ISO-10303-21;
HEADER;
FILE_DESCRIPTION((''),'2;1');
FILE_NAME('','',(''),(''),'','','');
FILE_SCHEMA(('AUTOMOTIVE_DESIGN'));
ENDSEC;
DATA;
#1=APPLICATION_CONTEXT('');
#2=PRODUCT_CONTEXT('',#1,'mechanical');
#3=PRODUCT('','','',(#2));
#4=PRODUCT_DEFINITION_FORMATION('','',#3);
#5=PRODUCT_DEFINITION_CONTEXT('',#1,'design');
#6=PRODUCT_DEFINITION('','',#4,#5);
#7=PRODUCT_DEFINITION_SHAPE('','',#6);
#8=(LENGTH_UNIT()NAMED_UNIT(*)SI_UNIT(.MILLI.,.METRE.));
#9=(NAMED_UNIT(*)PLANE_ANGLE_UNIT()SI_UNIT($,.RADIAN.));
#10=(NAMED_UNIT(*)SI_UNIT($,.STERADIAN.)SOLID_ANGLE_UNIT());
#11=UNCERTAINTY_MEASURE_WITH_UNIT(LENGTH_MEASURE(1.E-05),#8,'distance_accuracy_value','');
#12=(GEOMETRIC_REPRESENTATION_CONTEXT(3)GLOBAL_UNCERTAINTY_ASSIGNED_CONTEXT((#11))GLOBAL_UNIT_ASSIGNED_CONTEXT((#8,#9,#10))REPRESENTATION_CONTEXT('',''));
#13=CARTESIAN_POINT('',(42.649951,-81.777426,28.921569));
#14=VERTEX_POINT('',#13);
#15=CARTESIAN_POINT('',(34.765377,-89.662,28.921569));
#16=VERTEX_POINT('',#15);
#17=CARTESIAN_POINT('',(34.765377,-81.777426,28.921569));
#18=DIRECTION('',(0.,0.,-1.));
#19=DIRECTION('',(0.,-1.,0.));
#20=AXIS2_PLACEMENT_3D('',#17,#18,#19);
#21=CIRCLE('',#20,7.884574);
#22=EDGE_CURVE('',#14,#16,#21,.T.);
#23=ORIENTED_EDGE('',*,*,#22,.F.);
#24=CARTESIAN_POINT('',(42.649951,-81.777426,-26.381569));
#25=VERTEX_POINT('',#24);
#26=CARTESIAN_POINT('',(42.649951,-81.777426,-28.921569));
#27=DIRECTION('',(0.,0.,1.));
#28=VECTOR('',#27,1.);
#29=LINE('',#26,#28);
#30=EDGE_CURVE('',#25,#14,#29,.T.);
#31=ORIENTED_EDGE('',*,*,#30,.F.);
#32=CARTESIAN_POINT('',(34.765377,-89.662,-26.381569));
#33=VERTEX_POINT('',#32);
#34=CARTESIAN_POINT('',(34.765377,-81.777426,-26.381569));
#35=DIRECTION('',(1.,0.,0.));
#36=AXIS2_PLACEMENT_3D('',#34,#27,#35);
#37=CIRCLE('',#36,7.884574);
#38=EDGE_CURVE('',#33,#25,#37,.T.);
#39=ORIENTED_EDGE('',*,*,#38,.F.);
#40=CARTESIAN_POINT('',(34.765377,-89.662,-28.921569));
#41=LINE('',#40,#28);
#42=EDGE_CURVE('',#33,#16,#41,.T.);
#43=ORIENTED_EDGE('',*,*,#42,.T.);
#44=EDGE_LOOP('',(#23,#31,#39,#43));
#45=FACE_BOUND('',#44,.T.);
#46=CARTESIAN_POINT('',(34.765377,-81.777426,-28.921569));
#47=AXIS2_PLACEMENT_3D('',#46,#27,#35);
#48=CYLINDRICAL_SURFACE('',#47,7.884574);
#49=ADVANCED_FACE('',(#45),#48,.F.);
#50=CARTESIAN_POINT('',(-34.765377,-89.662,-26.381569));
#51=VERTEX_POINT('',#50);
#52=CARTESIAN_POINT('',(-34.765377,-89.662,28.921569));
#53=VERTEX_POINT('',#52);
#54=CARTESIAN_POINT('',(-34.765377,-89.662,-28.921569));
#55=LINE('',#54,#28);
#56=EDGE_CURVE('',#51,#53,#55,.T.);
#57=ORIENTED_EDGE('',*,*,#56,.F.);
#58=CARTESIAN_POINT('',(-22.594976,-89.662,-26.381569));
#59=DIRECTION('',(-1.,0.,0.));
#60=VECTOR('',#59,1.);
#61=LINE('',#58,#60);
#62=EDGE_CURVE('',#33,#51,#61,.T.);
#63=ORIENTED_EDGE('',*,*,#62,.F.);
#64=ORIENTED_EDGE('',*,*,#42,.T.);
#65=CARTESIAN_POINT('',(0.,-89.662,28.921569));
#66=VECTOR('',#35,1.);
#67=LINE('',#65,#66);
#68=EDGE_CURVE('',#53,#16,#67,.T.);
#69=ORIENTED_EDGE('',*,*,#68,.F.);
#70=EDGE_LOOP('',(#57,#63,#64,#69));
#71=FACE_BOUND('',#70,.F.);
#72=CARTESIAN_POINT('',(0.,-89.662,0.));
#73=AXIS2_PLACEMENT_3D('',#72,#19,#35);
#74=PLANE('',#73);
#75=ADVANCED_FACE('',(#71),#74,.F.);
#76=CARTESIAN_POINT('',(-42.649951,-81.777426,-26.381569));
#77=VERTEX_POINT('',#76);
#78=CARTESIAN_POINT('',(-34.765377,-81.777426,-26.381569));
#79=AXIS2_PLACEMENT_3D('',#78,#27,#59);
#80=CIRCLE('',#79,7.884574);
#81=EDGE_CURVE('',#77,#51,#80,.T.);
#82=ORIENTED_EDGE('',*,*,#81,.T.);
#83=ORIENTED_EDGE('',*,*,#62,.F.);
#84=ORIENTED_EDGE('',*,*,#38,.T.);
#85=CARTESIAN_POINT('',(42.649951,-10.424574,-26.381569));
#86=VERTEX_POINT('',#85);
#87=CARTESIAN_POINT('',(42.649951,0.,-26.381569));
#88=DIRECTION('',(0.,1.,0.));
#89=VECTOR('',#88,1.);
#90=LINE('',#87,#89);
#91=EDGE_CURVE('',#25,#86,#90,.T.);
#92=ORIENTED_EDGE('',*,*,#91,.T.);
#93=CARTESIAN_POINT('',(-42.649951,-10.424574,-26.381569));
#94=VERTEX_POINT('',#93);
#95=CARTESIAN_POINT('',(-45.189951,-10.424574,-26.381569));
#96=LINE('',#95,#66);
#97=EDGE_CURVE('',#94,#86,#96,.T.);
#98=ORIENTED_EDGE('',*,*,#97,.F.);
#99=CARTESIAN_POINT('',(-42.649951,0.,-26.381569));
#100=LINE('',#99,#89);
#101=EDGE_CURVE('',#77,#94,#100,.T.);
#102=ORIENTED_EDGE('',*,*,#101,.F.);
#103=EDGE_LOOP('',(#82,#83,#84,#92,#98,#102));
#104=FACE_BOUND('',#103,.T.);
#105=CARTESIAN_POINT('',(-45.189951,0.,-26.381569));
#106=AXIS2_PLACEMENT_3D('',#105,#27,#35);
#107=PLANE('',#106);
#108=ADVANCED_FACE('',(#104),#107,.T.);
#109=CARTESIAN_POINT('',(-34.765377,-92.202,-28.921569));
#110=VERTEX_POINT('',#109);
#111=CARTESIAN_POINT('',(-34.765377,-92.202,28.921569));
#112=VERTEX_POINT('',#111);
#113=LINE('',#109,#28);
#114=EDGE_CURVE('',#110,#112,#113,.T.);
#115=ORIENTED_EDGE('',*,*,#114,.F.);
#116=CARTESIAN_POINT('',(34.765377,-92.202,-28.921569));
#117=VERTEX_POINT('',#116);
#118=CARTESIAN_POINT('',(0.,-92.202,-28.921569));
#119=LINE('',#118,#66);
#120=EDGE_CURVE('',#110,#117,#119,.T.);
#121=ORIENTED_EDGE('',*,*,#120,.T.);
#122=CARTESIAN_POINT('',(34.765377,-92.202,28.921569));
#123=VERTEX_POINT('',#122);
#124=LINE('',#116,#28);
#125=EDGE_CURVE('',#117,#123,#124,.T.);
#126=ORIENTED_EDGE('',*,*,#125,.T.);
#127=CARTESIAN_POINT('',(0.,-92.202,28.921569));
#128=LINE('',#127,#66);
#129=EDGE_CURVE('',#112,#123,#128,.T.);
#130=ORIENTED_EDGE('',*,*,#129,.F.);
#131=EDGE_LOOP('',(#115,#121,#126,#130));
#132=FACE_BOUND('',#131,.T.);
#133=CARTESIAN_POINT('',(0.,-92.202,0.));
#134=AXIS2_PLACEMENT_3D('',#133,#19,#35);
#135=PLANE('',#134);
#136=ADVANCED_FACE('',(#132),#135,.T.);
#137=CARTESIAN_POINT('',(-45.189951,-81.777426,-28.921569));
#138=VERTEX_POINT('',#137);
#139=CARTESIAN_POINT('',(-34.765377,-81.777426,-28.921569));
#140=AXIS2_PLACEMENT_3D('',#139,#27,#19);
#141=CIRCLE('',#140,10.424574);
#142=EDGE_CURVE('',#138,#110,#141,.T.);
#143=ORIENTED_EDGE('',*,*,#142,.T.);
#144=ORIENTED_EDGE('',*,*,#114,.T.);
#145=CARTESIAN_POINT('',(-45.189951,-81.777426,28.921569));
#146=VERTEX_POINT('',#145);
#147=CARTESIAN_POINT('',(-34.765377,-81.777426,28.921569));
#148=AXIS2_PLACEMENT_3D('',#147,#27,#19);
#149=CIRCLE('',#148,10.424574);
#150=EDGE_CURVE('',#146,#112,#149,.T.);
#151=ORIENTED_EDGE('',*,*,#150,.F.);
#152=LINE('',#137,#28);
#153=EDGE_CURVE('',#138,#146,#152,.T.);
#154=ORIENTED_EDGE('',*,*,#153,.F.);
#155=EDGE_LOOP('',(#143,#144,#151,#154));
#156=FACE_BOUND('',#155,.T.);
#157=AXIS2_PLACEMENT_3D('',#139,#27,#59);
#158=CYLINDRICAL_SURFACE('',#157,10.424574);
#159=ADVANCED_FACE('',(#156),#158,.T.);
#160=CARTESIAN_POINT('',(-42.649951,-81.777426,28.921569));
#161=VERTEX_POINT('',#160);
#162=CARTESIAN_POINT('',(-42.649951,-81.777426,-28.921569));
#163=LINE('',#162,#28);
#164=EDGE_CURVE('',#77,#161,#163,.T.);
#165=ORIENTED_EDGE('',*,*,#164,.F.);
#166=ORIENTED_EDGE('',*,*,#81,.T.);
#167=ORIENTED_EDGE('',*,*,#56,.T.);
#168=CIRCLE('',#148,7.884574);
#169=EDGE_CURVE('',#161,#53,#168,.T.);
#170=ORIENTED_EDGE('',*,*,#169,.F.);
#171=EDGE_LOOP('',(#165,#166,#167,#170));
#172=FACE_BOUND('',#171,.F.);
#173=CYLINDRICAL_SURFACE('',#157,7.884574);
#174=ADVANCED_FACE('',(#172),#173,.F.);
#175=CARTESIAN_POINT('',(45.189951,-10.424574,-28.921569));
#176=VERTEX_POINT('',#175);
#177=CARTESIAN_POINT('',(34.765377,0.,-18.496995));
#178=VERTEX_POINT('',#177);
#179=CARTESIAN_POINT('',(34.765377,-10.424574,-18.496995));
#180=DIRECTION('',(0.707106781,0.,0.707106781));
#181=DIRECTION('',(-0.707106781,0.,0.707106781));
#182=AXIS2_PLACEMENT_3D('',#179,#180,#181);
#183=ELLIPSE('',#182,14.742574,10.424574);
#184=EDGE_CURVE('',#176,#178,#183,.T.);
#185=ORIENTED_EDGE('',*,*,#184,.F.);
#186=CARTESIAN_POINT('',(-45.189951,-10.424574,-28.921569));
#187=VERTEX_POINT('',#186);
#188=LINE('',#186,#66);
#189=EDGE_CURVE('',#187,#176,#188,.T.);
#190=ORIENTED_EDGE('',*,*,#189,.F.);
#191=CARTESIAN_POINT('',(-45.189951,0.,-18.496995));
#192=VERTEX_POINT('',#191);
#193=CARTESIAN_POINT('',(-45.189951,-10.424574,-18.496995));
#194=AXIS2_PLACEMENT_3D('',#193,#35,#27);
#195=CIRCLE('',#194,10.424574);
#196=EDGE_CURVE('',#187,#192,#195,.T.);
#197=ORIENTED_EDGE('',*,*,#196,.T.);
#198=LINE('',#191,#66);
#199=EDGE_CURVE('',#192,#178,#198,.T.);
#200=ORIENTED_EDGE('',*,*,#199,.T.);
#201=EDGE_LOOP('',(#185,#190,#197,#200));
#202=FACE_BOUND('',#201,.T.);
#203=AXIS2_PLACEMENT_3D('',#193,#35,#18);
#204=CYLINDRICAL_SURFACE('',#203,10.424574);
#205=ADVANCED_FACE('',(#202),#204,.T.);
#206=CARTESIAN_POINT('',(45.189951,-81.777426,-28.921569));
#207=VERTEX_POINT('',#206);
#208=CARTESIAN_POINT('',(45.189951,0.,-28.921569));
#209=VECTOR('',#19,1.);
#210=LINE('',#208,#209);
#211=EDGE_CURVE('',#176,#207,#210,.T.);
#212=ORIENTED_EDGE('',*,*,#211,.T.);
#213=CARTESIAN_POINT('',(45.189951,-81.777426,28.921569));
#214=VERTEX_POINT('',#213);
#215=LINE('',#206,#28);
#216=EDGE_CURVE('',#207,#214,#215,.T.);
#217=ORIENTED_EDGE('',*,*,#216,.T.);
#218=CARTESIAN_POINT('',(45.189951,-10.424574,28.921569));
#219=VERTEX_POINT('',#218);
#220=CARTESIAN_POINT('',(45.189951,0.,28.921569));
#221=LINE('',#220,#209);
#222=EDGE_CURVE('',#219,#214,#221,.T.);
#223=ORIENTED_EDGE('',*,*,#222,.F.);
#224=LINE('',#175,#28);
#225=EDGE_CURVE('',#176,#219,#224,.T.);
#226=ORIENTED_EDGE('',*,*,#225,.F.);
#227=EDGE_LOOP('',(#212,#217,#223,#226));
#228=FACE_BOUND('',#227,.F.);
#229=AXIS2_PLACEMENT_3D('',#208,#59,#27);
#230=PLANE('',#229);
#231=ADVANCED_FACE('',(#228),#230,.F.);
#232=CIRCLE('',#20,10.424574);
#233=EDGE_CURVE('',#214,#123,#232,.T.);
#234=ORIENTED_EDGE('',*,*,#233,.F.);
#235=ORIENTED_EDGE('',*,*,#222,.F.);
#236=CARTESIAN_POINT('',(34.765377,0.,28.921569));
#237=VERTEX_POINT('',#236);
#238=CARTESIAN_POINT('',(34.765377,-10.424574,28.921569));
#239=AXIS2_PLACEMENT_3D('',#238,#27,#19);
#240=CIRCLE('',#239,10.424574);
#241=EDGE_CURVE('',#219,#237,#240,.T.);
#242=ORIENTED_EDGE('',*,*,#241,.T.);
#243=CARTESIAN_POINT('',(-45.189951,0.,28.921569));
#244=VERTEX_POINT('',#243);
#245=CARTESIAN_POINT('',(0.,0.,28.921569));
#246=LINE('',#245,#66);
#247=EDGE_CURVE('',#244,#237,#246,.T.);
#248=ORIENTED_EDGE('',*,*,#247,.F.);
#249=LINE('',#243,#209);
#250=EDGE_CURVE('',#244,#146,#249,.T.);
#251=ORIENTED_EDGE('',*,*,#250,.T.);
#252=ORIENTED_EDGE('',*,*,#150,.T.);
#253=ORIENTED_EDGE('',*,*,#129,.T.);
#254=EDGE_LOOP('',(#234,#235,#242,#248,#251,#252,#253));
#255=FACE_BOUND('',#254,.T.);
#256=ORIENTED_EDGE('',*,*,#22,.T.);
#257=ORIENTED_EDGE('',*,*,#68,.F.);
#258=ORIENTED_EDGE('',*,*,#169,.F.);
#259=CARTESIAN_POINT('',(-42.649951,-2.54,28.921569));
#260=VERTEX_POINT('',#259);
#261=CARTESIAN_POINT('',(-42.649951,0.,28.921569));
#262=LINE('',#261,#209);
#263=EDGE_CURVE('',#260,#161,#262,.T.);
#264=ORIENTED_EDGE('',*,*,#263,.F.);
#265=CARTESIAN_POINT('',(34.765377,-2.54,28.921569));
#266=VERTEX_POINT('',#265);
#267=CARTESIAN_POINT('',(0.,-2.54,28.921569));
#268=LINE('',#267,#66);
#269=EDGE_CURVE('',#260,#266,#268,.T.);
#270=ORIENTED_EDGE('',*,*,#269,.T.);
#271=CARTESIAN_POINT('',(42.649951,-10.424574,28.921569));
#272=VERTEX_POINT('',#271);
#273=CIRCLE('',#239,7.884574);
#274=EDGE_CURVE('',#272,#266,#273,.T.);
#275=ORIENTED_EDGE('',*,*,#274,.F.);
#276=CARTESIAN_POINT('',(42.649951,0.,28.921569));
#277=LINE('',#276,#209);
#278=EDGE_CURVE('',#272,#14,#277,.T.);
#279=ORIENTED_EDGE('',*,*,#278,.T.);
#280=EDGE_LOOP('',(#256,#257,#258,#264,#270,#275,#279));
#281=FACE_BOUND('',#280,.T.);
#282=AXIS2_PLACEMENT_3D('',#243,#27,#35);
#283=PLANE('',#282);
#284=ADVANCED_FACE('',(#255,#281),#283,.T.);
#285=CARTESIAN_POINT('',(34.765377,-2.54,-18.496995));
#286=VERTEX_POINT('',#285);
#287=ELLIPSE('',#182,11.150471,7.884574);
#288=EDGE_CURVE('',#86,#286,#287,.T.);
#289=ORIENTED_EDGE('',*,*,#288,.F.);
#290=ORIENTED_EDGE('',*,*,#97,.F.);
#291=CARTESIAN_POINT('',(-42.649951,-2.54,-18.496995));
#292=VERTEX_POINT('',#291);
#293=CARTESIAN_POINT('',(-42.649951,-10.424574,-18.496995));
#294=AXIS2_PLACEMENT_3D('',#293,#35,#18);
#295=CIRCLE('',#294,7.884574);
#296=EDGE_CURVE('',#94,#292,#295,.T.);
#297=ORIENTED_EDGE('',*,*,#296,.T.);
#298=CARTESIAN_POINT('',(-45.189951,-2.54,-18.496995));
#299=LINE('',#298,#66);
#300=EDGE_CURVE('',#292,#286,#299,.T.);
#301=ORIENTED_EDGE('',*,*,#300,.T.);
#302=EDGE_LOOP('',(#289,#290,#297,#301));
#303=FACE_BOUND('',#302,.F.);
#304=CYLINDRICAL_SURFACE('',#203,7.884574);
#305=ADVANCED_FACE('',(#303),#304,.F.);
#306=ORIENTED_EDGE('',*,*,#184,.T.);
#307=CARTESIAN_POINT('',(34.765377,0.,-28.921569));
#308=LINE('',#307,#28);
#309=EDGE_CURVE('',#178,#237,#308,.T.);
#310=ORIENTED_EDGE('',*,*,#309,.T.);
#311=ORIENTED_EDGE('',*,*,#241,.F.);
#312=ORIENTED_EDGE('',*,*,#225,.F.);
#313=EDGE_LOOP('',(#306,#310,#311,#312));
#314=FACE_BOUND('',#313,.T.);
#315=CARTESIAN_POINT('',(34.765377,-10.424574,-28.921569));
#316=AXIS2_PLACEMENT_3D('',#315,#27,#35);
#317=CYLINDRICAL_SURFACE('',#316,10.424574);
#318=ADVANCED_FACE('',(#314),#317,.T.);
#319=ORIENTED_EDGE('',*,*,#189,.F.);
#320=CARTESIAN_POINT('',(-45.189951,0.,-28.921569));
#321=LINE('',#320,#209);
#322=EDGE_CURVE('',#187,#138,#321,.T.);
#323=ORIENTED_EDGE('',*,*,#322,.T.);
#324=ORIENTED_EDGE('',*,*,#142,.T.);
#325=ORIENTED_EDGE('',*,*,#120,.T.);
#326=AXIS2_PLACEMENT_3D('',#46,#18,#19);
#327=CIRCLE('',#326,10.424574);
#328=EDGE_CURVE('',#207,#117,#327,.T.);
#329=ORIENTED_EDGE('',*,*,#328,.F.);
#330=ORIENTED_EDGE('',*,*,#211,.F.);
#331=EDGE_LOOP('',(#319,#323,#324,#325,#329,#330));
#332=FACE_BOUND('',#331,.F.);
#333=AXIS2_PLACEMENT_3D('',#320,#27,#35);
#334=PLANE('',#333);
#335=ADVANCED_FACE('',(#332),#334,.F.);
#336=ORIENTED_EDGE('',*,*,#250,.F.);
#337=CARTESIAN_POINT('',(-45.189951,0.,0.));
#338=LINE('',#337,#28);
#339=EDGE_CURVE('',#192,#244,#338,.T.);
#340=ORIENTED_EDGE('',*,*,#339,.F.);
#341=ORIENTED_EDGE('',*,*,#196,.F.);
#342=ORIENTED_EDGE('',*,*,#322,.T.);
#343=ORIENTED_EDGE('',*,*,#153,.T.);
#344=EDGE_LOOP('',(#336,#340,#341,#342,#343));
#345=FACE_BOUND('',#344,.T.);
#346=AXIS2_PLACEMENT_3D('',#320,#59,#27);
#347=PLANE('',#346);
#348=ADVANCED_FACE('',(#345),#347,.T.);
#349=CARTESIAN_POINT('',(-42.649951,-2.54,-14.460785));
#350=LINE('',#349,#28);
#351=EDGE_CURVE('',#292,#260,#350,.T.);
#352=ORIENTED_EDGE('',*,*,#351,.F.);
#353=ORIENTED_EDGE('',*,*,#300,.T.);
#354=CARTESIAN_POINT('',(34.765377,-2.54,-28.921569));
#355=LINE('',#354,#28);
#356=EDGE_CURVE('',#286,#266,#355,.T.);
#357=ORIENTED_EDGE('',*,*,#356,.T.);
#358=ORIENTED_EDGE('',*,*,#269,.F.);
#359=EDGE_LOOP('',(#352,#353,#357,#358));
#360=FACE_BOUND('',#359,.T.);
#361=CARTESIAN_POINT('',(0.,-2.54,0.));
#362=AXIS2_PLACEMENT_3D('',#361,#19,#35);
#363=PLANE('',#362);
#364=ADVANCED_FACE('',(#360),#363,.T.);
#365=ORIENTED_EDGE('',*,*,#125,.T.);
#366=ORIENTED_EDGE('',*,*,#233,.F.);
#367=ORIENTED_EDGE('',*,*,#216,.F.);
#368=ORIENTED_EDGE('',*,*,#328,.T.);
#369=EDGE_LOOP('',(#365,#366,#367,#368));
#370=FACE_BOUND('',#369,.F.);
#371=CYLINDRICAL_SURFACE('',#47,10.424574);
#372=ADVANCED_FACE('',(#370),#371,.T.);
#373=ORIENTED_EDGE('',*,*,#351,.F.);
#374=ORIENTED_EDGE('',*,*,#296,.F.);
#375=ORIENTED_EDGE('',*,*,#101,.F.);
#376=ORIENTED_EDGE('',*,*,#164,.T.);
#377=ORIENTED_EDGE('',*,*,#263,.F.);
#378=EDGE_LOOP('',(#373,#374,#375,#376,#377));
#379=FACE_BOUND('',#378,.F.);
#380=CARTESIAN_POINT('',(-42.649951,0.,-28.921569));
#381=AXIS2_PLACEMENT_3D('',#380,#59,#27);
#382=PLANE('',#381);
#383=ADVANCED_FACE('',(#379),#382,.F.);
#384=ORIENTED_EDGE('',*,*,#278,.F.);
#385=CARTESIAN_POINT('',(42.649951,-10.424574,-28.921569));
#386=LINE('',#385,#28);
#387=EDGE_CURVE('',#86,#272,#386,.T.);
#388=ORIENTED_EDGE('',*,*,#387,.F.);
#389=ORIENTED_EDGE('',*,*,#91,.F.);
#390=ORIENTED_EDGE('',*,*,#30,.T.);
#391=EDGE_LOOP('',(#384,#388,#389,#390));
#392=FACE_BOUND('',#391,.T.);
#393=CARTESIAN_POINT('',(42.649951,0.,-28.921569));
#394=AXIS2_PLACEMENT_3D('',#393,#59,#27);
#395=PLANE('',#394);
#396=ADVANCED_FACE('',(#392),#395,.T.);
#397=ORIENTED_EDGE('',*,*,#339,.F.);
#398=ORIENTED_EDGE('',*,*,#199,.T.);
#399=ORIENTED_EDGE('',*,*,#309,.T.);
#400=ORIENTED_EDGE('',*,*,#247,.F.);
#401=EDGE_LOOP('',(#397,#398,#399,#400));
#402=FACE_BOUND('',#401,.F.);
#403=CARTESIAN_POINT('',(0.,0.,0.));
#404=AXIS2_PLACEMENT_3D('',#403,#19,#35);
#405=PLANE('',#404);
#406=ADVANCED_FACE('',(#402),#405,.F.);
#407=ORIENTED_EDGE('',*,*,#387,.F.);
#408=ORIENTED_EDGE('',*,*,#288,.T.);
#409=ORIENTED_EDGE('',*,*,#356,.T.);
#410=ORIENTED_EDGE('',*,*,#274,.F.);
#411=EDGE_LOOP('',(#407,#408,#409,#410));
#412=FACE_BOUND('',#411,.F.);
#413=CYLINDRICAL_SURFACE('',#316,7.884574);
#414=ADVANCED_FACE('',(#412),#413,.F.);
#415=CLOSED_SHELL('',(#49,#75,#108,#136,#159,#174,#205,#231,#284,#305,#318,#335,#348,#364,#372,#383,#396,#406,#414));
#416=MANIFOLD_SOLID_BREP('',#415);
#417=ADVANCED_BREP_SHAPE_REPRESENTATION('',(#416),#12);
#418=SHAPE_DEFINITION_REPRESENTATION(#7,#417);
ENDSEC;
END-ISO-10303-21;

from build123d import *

# Parameters (mm, degrees)
F0_W     = 90.379902
F0_H     = 57.843138
F1_DEPTH = 92.202
F2_R     = 10.424574
F3_T     = -2.54


with BuildPart() as f1:
    # F0 (on Front) → F1 (new body)
    with BuildSketch(Plane.XZ):
        Rectangle(F0_W, F0_H)
    extrude(amount=F1_DEPTH)

    # F2
    f2_edges = [f1.edges().sort_by_distance(p)[0] for p in [
        (45.189951, -92.202, 0),
        (-45.189951, -92.202, 0),
        (45.189951, 0, 0),
        (0, 0, -28.921569),
    ]]
    fillet(f2_edges, radius=F2_R)

    # F3
    f3_openings = [f1.faces().sort_by_distance(p)[0] for p in [
        (-0.120967, -45.977462, 28.921569),
    ]]
    offset(amount=F3_T, openings=f3_openings)


solid = f1.part
